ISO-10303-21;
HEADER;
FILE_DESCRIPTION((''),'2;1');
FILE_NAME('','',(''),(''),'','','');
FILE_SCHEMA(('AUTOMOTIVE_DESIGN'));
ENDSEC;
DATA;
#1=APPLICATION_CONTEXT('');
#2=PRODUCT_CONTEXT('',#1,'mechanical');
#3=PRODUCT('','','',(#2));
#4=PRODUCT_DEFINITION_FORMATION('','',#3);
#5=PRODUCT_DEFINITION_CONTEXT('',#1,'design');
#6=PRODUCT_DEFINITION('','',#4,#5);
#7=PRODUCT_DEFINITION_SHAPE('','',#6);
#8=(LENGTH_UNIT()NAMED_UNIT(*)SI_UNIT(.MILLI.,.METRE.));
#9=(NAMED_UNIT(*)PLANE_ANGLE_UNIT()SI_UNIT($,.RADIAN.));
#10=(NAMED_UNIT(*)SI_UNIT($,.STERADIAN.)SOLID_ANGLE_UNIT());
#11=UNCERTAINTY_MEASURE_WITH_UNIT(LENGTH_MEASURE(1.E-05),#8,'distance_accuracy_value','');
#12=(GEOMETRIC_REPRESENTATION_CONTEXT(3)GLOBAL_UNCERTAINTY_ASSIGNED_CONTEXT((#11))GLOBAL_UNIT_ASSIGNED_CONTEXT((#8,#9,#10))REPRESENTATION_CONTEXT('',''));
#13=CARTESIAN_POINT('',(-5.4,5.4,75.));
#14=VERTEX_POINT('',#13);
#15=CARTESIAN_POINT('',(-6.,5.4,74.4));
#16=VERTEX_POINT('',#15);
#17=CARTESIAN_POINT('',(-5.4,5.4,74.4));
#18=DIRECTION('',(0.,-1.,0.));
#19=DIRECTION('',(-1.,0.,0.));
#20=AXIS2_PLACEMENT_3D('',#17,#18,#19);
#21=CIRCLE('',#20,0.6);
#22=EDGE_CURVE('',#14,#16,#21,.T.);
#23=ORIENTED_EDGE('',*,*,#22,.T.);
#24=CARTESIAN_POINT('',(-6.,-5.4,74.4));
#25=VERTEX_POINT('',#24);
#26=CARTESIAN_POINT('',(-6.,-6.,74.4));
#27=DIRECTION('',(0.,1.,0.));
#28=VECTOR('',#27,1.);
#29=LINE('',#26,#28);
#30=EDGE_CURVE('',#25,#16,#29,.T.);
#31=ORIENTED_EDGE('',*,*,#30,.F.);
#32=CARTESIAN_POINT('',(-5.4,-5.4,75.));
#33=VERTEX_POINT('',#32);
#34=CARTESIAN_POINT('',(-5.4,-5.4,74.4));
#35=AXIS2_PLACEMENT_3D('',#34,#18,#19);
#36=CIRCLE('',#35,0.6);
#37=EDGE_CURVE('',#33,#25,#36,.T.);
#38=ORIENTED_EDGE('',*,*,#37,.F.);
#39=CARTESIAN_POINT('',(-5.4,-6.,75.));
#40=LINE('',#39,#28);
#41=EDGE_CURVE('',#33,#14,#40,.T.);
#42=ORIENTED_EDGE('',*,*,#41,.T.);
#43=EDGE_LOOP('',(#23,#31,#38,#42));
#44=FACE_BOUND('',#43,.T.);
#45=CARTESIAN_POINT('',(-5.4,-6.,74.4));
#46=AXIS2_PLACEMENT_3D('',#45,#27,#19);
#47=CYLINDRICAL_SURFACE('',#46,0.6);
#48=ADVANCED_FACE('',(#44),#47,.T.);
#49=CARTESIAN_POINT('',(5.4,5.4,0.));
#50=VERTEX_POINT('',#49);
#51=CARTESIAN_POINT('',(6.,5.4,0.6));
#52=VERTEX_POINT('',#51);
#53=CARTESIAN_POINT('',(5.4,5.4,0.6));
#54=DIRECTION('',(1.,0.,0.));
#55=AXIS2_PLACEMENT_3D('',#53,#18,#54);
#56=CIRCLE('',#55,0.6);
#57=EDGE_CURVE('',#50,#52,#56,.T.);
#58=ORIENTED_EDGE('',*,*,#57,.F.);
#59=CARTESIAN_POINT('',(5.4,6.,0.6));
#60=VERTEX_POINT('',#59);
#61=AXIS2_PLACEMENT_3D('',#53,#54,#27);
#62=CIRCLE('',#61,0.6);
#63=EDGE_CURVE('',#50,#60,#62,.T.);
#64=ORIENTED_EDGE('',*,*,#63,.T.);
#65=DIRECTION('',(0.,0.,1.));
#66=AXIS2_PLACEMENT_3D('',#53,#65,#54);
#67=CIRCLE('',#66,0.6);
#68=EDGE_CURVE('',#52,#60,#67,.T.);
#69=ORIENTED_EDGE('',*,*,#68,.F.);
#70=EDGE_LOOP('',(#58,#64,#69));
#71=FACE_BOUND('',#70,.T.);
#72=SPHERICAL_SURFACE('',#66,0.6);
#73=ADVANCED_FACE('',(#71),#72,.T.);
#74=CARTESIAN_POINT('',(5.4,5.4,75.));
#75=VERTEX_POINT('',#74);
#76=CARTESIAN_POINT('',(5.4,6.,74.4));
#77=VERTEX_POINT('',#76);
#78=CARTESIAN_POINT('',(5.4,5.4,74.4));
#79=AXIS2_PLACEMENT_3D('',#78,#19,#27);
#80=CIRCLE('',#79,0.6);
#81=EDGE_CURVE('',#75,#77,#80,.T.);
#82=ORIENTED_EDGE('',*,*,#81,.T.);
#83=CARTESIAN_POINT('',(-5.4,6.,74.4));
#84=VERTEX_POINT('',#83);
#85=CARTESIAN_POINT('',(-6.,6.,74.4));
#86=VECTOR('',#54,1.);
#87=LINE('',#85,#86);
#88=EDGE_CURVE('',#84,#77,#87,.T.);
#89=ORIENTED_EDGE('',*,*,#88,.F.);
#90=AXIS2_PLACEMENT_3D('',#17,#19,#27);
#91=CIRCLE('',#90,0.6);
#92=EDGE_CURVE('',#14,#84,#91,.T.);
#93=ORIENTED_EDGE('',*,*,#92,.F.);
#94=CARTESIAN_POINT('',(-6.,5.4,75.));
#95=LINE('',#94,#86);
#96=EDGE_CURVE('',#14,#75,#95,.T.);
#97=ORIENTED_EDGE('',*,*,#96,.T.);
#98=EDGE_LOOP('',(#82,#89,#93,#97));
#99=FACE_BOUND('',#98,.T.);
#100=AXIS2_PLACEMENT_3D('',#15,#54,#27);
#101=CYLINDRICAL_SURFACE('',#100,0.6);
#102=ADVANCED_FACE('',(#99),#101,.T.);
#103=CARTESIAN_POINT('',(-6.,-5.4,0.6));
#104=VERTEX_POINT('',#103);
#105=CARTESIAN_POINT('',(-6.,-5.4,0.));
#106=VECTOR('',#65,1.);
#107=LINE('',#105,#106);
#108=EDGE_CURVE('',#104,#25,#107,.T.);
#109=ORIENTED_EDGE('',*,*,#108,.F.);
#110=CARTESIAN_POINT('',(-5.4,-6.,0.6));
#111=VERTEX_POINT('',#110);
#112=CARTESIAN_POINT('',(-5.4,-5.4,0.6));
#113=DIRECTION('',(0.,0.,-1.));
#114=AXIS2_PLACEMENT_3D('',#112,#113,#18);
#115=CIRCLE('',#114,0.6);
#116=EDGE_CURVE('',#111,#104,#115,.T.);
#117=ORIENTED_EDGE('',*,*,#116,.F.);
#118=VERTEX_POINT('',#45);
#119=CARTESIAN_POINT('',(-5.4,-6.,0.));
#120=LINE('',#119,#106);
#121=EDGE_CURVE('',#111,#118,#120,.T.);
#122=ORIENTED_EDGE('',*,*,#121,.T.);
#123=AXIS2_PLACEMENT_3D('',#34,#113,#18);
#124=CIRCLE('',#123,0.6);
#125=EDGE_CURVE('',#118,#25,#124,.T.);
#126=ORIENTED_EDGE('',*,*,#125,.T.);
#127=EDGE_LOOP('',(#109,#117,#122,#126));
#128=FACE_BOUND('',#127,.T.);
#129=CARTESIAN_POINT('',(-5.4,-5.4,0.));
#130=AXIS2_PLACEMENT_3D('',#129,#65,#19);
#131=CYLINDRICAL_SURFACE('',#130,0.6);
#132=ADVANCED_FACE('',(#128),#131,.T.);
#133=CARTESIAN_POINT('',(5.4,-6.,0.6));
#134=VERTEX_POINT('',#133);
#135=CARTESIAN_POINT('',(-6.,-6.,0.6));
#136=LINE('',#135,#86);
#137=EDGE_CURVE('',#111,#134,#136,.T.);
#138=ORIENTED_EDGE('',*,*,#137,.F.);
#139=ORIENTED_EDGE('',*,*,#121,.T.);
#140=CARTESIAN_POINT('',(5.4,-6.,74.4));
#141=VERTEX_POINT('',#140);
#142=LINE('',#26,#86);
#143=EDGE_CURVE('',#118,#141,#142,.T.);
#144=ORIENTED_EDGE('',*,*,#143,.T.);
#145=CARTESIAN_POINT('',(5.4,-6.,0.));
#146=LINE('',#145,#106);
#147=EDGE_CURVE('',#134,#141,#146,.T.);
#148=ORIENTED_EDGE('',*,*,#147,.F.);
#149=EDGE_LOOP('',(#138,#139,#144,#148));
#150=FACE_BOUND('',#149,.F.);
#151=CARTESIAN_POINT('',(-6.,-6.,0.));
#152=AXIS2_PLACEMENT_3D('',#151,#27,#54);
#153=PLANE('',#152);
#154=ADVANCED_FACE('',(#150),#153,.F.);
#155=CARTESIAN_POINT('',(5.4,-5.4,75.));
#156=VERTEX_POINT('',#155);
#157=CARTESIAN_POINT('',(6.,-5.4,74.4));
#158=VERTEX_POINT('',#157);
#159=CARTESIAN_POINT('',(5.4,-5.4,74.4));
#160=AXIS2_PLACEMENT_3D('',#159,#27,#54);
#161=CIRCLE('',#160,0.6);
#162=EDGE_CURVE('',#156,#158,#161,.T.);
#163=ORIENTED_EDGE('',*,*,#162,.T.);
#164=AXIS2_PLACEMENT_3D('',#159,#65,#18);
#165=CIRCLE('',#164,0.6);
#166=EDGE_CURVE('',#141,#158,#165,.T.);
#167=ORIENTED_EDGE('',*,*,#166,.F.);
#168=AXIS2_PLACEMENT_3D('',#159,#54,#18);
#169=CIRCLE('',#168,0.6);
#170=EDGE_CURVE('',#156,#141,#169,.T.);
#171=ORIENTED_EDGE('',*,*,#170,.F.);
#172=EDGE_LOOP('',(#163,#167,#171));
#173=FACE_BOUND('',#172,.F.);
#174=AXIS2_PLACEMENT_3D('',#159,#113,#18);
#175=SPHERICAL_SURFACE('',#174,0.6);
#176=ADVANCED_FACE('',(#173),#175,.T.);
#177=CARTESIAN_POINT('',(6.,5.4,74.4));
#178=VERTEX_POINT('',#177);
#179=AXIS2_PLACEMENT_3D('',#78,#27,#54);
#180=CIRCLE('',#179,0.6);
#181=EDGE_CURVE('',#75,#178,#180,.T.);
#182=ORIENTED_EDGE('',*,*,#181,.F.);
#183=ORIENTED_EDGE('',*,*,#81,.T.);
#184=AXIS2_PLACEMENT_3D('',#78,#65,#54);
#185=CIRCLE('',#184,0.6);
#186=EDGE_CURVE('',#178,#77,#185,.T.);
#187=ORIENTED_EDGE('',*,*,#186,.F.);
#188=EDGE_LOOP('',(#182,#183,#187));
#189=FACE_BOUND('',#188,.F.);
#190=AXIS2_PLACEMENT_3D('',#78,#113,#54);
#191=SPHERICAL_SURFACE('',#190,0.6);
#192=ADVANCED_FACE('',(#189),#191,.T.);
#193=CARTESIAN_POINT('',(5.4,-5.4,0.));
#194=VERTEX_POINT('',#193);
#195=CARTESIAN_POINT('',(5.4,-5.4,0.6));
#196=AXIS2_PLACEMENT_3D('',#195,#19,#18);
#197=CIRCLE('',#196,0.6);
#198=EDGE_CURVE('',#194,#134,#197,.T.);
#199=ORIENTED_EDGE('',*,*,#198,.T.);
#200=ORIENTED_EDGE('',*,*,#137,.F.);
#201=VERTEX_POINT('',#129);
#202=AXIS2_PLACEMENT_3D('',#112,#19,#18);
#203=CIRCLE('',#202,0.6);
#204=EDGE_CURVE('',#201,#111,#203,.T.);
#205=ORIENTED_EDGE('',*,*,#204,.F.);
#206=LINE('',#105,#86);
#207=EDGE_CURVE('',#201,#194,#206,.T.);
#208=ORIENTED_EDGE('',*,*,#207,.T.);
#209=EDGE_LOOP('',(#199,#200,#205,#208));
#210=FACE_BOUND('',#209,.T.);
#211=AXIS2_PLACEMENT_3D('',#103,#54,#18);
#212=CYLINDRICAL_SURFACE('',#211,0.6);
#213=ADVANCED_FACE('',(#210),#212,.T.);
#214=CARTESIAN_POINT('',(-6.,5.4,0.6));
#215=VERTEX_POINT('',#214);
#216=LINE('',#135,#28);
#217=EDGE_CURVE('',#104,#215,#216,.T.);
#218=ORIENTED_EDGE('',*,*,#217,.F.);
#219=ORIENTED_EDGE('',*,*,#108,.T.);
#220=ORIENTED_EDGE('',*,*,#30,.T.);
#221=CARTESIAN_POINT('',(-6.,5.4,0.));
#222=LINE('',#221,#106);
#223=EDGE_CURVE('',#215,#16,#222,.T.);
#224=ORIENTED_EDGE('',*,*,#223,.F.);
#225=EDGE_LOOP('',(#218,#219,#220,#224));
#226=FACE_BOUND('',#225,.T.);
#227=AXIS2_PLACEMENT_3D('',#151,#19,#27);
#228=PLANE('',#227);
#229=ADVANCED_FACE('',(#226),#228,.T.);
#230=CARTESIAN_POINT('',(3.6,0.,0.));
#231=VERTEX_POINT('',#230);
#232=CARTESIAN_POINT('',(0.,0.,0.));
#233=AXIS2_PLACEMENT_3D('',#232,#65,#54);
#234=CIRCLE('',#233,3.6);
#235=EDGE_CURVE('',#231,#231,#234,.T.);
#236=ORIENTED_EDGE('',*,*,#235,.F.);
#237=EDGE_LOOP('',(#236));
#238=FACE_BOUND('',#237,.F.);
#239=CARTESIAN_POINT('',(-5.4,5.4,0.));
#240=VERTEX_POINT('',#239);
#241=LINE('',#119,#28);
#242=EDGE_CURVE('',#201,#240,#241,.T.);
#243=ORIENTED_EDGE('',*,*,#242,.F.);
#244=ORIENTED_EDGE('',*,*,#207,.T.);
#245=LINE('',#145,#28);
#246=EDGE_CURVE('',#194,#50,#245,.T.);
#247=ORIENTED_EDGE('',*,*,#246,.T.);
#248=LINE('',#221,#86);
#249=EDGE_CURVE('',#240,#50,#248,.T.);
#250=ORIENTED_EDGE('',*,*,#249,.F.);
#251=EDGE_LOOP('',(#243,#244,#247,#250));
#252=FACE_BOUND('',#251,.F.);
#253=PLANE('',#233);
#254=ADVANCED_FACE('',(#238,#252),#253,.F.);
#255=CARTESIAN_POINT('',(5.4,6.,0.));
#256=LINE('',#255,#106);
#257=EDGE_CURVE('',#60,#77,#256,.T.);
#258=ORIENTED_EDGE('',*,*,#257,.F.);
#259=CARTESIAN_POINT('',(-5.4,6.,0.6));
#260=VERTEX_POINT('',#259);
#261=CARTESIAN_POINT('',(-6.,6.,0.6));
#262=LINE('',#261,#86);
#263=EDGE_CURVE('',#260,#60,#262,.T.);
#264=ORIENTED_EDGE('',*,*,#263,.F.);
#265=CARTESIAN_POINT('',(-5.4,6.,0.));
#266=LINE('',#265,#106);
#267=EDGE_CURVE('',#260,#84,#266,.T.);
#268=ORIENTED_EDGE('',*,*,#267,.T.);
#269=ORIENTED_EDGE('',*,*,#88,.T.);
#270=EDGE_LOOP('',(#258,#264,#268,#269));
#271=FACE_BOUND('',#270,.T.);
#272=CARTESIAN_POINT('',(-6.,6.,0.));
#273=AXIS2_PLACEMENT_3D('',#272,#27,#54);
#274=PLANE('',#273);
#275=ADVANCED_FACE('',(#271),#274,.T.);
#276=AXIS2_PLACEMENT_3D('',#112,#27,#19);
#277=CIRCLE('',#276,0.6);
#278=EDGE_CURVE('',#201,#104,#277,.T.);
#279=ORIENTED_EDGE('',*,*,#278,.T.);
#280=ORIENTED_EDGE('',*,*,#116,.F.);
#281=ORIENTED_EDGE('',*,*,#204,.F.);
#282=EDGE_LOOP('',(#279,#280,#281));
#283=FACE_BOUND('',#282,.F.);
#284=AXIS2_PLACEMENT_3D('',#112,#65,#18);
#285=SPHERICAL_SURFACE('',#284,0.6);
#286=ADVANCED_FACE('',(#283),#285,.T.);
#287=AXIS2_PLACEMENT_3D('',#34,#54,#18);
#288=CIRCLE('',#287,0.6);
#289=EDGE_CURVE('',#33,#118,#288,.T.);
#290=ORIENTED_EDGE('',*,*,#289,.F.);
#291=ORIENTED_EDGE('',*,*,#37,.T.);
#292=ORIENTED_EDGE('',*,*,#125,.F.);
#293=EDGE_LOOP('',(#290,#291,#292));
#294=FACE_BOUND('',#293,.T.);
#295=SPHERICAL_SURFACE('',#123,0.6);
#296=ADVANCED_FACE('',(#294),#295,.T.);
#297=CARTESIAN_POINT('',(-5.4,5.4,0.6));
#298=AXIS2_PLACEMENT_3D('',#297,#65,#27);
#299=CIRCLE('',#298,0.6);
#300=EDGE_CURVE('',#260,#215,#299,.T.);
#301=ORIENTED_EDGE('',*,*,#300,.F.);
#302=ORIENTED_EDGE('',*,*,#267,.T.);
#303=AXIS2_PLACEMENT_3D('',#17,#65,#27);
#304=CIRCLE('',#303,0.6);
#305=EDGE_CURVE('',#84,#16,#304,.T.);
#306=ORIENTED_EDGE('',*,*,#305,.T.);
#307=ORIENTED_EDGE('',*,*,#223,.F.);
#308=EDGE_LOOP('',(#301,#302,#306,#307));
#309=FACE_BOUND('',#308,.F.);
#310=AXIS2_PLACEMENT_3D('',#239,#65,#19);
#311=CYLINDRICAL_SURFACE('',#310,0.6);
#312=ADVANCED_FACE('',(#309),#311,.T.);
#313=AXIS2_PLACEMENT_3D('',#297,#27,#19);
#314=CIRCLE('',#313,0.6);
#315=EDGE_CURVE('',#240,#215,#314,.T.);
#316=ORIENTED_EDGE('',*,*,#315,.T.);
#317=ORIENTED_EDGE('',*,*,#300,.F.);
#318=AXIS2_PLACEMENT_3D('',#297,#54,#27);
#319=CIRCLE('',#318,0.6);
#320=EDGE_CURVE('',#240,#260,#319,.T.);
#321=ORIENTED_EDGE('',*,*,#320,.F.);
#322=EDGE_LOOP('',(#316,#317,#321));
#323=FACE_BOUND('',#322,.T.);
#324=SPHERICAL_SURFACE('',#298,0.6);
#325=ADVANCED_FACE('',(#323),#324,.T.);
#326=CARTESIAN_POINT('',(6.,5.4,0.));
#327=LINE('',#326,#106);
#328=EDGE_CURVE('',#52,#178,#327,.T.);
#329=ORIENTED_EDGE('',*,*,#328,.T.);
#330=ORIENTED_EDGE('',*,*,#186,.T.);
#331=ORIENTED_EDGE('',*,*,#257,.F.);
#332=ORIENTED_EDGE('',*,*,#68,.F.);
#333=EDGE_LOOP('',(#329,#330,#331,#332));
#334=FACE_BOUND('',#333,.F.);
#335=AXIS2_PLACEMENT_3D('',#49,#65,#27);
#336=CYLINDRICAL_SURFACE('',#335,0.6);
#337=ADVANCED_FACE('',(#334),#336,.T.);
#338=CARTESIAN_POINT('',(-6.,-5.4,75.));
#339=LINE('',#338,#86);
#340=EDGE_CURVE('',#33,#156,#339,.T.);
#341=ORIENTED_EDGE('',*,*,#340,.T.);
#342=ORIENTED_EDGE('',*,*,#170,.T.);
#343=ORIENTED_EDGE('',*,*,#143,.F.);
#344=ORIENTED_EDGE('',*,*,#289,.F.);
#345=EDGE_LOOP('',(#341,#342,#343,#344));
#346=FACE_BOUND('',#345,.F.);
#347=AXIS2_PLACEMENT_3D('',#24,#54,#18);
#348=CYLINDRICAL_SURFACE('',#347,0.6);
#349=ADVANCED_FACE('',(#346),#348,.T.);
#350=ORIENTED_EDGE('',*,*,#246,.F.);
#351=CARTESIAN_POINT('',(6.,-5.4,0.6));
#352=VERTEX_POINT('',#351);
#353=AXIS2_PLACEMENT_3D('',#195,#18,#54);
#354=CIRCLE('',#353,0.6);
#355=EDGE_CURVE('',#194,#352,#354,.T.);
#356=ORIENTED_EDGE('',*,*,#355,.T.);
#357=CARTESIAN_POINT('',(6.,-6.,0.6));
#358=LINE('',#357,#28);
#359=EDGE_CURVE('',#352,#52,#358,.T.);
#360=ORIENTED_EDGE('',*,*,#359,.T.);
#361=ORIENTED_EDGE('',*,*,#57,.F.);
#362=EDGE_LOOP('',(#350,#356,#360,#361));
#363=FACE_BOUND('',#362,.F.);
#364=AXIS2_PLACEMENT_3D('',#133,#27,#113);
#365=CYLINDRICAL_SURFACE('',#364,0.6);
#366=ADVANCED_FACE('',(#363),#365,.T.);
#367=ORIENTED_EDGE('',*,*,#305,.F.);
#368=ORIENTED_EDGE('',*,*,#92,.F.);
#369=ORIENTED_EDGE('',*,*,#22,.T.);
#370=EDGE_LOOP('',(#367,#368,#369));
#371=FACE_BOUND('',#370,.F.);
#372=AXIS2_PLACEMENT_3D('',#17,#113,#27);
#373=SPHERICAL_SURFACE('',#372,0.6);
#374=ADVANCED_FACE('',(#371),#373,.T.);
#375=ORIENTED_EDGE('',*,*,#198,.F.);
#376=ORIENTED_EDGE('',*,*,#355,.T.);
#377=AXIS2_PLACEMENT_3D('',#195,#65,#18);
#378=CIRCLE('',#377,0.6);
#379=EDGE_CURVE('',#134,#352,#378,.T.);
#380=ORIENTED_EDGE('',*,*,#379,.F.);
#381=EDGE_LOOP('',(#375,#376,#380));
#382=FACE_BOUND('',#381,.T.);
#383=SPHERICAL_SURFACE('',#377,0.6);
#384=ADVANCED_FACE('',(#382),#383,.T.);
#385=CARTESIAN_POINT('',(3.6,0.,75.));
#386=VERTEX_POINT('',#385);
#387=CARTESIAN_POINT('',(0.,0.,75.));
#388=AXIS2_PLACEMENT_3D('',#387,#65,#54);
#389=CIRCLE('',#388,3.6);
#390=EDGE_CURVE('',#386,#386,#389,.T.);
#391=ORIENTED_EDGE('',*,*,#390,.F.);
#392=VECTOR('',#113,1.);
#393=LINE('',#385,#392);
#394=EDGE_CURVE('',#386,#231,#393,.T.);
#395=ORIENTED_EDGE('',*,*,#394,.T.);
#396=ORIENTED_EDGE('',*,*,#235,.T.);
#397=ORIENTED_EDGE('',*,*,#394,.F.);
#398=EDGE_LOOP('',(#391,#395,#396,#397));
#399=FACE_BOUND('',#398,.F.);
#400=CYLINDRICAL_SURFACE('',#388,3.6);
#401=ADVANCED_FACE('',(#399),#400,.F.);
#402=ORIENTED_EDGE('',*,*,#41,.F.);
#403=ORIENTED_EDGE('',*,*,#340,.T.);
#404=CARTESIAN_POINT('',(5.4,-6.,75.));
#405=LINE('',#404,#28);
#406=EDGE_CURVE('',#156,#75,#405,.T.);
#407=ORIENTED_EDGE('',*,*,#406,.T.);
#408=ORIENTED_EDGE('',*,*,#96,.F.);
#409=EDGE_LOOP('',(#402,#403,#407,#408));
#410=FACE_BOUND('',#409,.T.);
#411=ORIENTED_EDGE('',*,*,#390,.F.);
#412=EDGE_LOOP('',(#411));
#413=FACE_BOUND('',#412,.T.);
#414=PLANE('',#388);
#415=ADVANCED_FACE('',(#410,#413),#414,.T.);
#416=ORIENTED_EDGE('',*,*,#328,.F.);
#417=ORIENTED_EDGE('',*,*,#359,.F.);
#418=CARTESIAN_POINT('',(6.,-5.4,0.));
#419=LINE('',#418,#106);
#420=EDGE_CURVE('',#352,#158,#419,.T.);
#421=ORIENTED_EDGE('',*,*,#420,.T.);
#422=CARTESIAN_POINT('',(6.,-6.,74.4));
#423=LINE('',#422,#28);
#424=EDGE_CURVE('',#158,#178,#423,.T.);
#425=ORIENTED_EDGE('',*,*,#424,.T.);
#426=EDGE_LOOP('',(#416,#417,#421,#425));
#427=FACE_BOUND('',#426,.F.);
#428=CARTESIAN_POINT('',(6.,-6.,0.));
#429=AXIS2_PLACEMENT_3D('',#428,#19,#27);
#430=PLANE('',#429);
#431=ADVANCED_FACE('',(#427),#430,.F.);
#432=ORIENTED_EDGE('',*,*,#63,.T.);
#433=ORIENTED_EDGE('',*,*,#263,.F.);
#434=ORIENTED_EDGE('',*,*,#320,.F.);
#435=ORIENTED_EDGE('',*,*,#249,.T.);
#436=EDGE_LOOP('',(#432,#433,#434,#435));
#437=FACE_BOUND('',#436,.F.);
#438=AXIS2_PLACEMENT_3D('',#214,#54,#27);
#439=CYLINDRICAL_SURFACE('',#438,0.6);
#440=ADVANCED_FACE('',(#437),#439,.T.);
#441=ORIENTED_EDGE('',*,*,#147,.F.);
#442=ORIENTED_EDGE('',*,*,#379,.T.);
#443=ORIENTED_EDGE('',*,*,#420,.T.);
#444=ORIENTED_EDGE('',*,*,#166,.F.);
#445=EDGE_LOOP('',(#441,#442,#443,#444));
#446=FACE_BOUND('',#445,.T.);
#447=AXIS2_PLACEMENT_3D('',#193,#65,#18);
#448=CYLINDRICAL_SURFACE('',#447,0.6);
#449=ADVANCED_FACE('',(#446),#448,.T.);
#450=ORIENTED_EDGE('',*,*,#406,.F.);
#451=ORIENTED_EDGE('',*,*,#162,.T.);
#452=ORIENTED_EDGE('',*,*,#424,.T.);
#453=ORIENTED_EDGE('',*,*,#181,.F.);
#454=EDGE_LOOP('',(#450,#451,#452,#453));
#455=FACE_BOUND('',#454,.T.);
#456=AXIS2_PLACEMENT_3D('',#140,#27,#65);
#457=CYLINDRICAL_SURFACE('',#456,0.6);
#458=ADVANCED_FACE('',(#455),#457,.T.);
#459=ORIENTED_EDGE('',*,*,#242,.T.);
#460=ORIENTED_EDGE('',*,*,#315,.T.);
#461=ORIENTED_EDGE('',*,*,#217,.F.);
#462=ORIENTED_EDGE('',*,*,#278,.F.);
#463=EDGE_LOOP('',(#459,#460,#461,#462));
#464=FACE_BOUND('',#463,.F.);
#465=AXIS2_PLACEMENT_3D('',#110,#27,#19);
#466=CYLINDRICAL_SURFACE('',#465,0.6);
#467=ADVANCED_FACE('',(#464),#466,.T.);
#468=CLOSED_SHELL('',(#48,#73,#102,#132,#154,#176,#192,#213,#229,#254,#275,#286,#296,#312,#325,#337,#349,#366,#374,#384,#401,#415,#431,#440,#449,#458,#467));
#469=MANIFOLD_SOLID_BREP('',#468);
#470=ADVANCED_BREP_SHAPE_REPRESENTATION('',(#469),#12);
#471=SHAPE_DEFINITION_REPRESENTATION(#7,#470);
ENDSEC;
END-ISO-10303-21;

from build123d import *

# Parameters (mm, degrees)
F0_W     = 12
F0_H     = 12
F1_DEPTH = 75
F2_R     = 3.6
F3_DEPTH = 80
F4_R     = 0.6


with BuildPart() as f1:
    # F0 (on Top) → F1 (new body)
    with BuildSketch(Plane.XY):
        Rectangle(F0_W, F0_H)
    extrude(amount=F1_DEPTH)

    # F2 (on face) → F3 (cut)
    with BuildSketch(Plane.XY.offset(75)):
        Circle(F2_R)
    extrude(amount=-F3_DEPTH, mode=Mode.SUBTRACT)

    # F4
    f4_edges = [f1.edges().sort_by_distance(p)[0] for p in [
        (-6, -6, 37.5),
        (6, -6, 37.5),
        (0, -6, 0),
        (0, -6, 75),
        (6, 6, 37.5),
        (6, 0, 0),
        (6, 0, 75),
        (-6, 6, 37.5),
        (0, 6, 0),
        (0, 6, 75),
        (-6, 0, 0),
        (-6, 0, 75),
    ]]
    fillet(f4_edges, radius=F4_R)


solid = f1.part
